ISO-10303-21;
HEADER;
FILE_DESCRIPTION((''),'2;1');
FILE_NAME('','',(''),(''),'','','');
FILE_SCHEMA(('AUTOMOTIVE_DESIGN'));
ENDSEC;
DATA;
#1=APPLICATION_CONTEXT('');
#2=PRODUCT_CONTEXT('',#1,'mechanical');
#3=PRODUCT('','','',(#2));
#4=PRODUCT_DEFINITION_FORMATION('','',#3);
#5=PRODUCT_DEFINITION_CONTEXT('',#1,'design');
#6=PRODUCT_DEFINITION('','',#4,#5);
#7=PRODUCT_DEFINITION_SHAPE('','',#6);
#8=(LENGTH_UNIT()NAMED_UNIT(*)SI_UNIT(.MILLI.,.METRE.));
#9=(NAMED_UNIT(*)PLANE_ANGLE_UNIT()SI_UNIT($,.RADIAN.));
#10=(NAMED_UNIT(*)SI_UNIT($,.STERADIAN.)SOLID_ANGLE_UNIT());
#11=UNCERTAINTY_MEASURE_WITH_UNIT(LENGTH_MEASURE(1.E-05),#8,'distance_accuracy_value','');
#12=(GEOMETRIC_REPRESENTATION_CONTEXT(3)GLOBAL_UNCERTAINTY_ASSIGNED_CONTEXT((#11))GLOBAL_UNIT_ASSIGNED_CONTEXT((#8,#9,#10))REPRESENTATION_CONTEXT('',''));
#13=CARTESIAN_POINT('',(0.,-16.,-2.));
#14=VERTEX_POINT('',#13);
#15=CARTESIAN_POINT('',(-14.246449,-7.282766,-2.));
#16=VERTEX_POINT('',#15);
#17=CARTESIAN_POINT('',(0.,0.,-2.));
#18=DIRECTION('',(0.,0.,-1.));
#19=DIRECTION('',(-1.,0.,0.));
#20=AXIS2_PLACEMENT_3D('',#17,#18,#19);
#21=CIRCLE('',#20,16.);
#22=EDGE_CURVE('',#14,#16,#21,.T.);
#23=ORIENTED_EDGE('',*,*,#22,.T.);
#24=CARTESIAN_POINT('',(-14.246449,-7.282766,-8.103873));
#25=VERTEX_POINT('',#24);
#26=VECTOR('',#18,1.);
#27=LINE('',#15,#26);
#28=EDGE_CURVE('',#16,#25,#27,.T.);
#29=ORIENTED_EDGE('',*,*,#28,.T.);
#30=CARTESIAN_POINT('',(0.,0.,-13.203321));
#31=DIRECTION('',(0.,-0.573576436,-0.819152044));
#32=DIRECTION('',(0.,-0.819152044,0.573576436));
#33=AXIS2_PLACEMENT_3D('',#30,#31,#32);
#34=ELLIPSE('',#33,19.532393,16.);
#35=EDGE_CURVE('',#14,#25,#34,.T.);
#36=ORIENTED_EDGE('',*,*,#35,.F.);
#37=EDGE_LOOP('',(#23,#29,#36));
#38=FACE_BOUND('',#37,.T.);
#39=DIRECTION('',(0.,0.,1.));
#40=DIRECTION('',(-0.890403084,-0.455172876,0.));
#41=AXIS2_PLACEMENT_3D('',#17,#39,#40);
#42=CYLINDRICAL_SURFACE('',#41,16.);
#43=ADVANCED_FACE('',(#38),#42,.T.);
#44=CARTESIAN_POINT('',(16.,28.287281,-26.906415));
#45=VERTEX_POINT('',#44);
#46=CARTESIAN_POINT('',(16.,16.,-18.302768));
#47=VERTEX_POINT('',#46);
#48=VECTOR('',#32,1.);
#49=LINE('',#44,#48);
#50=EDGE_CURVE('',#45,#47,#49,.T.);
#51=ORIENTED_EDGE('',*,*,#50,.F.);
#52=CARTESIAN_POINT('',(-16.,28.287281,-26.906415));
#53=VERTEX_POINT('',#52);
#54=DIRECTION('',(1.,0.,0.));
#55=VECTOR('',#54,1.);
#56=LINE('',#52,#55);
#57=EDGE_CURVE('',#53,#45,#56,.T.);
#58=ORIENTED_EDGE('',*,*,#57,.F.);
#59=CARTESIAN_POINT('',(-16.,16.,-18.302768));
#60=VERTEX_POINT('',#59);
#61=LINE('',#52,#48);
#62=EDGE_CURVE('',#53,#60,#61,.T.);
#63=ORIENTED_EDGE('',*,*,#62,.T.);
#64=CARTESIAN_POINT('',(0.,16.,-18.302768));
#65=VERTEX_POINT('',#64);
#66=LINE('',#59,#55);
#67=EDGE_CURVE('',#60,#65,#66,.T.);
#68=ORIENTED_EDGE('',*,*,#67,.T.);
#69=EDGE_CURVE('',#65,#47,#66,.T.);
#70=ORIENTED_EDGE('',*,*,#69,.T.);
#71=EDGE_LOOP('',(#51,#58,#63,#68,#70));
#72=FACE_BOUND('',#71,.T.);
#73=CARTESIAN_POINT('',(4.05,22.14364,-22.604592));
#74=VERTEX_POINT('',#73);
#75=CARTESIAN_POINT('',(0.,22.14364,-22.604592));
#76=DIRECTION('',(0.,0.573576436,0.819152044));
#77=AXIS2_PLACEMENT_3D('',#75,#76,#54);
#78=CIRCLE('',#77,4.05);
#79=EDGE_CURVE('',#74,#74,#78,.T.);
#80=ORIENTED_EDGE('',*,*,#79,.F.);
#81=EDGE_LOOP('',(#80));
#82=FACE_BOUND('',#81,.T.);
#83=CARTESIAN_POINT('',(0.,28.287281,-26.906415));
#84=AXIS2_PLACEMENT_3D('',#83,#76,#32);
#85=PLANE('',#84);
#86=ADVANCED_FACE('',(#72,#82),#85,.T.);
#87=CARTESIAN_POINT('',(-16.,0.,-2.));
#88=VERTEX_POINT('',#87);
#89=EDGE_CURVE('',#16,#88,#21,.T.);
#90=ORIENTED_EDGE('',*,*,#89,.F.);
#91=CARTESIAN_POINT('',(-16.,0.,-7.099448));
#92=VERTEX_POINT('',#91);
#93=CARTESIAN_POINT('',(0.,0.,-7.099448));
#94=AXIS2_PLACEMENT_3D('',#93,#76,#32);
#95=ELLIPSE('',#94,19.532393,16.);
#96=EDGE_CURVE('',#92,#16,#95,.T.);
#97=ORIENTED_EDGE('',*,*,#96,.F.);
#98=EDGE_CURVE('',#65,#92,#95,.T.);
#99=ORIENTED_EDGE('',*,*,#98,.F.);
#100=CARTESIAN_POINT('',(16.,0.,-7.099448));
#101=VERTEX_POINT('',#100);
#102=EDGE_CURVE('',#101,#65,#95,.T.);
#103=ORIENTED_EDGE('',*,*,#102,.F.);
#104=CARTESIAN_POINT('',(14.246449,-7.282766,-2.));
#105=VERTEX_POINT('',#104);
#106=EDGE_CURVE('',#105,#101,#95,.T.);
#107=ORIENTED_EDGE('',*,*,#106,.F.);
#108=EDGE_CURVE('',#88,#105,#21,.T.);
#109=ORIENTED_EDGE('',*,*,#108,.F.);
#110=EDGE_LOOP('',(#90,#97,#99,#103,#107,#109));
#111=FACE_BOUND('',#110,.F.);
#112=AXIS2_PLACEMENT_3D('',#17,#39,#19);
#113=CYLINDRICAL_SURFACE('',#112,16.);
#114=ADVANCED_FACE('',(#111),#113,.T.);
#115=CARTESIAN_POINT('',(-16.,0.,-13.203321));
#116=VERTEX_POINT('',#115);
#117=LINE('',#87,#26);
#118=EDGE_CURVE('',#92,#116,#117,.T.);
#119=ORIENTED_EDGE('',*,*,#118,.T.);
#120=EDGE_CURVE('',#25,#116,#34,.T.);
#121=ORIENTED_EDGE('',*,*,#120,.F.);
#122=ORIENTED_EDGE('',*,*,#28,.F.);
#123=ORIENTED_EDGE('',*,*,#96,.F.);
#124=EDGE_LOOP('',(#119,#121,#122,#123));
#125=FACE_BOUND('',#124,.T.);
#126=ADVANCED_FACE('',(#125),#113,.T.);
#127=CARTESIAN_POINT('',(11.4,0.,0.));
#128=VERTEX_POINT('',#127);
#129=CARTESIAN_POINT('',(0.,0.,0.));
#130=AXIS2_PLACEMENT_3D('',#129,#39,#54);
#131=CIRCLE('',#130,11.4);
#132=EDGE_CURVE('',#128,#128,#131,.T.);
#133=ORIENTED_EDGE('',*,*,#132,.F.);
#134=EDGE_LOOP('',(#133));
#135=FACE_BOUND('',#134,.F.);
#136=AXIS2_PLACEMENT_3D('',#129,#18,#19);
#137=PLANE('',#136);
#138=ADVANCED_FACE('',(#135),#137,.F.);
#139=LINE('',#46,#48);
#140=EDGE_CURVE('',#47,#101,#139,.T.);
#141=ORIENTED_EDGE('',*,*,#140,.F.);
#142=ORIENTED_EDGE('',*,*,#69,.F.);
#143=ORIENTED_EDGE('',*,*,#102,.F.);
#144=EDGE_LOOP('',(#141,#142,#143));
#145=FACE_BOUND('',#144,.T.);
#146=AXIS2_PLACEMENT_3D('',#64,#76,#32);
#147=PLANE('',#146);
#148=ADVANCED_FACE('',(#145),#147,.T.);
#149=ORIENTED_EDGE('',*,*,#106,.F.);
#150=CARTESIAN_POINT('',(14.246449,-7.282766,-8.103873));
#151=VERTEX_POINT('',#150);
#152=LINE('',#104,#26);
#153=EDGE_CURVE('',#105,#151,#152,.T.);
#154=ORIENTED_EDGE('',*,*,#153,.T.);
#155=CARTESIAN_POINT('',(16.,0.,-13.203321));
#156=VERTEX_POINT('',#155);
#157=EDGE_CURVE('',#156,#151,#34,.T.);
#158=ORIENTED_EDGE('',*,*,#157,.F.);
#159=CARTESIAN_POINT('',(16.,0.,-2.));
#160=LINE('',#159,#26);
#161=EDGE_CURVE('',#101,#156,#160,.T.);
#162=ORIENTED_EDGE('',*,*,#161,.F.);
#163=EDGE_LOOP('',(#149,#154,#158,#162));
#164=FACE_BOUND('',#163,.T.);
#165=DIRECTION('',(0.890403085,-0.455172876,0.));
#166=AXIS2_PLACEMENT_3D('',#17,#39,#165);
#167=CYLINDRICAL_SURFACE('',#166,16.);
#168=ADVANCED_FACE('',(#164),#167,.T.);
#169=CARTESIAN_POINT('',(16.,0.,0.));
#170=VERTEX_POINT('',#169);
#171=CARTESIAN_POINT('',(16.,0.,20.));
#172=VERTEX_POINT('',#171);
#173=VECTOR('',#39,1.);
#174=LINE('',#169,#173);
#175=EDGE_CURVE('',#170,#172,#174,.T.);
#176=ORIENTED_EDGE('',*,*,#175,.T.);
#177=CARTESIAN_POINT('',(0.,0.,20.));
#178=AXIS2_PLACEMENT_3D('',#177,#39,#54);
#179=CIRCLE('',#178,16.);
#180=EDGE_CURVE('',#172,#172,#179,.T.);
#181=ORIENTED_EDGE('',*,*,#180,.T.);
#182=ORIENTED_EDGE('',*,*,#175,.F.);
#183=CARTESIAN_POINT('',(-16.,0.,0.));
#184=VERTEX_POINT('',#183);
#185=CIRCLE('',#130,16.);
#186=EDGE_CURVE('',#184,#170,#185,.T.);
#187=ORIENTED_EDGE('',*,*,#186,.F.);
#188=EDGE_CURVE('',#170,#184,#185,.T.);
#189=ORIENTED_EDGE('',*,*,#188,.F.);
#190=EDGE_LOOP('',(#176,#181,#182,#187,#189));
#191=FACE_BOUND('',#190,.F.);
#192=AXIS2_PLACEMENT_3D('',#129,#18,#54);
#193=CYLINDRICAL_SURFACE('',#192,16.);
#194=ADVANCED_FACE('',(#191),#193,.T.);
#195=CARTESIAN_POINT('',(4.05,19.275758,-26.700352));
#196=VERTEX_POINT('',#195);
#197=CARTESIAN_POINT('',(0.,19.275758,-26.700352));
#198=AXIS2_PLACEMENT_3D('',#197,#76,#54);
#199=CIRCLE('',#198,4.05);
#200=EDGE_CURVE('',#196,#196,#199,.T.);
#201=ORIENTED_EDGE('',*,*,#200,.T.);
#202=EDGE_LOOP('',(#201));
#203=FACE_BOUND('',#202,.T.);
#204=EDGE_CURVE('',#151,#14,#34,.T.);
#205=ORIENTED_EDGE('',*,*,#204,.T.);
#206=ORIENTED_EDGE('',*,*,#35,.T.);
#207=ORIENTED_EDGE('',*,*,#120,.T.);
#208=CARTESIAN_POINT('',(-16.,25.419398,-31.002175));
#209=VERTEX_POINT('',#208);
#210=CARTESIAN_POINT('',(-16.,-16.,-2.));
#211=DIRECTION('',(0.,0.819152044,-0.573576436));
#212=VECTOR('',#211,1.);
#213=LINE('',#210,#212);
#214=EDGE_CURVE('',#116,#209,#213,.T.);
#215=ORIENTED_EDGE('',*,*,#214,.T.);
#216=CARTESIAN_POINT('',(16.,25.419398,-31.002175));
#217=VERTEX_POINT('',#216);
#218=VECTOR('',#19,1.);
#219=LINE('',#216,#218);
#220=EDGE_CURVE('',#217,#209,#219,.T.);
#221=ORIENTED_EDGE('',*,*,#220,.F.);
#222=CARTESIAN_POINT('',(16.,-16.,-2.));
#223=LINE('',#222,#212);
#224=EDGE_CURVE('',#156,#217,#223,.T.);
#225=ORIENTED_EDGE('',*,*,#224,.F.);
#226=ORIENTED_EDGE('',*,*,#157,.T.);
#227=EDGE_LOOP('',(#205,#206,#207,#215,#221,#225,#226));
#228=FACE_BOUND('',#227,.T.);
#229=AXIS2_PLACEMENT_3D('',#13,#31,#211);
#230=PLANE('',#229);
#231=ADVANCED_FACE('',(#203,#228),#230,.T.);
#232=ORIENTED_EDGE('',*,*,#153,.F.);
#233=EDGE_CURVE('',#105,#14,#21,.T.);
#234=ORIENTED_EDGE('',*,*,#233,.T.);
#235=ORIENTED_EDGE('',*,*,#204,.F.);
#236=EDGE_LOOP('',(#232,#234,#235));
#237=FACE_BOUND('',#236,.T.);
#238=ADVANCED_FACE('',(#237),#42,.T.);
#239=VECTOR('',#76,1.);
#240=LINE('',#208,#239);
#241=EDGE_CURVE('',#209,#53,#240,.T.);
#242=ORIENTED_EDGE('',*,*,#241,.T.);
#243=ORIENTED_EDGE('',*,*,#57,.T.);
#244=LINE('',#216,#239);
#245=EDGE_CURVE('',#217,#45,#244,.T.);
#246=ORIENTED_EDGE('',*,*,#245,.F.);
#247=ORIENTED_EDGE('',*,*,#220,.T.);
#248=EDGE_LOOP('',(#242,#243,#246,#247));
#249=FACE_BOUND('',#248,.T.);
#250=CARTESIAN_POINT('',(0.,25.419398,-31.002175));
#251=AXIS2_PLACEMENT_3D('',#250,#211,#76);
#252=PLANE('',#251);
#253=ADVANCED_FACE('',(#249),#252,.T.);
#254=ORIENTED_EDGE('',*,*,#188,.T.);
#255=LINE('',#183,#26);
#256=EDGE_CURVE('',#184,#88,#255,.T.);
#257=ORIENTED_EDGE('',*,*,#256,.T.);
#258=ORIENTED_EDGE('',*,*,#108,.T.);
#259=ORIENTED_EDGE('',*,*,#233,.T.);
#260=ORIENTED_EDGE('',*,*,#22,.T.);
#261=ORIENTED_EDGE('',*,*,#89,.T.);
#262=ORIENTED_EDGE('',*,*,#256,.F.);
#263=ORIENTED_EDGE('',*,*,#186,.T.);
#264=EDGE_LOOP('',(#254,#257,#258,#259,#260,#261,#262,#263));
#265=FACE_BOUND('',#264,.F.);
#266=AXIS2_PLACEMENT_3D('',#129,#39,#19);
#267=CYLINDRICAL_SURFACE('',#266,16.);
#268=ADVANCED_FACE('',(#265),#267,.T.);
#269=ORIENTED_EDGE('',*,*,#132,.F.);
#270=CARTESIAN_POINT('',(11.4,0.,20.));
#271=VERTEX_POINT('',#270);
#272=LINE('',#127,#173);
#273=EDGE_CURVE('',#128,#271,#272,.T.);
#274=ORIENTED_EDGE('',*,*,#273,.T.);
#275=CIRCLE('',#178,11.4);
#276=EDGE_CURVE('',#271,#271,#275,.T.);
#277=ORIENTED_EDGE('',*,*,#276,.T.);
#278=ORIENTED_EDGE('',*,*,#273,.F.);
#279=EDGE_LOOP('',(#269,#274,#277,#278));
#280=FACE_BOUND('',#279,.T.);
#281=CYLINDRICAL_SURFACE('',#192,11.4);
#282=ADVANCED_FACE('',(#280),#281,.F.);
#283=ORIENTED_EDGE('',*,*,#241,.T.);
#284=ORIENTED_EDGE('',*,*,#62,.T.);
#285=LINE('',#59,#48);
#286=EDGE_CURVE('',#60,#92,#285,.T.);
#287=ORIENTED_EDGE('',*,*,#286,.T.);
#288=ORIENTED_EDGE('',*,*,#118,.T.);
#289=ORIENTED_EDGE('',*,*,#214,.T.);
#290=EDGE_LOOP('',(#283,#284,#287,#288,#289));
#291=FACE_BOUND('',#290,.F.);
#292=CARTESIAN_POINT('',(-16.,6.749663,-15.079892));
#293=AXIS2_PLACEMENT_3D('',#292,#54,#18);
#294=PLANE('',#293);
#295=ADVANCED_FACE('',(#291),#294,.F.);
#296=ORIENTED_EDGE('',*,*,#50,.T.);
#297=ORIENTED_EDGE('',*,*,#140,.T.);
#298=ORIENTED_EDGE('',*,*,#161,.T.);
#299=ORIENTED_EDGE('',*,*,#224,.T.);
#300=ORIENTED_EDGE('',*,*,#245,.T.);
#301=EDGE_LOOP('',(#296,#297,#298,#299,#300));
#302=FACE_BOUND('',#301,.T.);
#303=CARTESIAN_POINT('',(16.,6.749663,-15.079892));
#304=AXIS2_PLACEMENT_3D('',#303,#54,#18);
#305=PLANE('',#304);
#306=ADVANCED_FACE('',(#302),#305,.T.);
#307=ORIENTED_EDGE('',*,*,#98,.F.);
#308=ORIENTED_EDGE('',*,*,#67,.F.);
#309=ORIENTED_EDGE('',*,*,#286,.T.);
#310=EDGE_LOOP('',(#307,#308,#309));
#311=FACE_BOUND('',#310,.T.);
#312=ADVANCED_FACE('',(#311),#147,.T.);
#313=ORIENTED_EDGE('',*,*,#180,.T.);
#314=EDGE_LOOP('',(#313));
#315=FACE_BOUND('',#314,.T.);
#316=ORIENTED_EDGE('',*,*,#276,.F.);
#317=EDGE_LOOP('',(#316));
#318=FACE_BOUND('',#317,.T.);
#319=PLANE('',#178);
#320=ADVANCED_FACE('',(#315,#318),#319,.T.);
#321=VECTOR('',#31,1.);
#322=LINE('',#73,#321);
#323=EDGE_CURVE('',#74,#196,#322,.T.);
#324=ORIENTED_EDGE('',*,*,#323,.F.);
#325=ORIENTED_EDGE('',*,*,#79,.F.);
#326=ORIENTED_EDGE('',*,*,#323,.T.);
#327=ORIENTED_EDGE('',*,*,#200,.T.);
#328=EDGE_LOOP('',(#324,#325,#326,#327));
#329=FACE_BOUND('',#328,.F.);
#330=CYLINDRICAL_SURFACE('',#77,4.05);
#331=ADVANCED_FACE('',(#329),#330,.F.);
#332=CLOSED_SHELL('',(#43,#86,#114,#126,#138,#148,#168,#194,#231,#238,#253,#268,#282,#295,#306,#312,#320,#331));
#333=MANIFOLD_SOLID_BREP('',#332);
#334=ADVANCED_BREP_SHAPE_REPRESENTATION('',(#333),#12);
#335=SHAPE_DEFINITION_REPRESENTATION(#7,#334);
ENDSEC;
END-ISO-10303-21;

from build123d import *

# Parameters (mm, degrees)
SKETCH1_R                = 16
SKETCH1_R_2              = 11.4
BOSS_EXTRUDE1_DEPTH      = 20
SKETCH2_R                = 16
BOSS_EXTRUDE2_DEPTH      = 2
BOSS_EXTRUDE3_DEPTH      = 16
BOSS_EXTRUDE3_DEPTH_BACK = 16
CUT_EXTRUDE1_DEPTH       = 30.002175046
BOSS_EXTRUDE4_REACH      = 31.002
SKETCH5_R                = 16
SKETCH6_R                = 4.05
CUT_EXTRUDE3_DEPTH       = 29.757190977


with BuildPart() as part:
    # Sketch1 → Boss-Extrude1 (new body)
    with BuildSketch(Plane.XY):
        Circle(SKETCH1_R)
        Circle(SKETCH1_R_2, mode=Mode.SUBTRACT)
    extrude(amount=BOSS_EXTRUDE1_DEPTH)

    # Sketch2 → Boss-Extrude2 (add)
    with BuildSketch(Plane(origin=(0, 0, 0), x_dir=(-1, 0, 0), z_dir=(0, 0, -1))):
        Circle(SKETCH2_R)
    extrude(amount=BOSS_EXTRUDE2_DEPTH)

    # Sketch3 → Boss-Extrude3 (add, two sides)
    with BuildSketch(Plane(origin=(0, 0, 0), x_dir=(0, 0, -1), z_dir=(1, 0, 0))) as boss_extrude3_sk:
        Polygon((31.002175046, 25.419398483), (26.906414824, 28.287280664), (18.302768279, 16), (2, -7.282766022), (2, -16), align=None)
    extrude(amount=BOSS_EXTRUDE3_DEPTH)
    extrude(boss_extrude3_sk.sketch, amount=-BOSS_EXTRUDE3_DEPTH_BACK)

    # Sketch4 → Cut-Extrude1 (cut, through all)
    with BuildSketch(Plane(origin=(0, 0, -2), x_dir=(-1, 0, 0), z_dir=(0, 0, -1))):
        with BuildLine():
            Line((34.266518051, 0), (16, 0))
            ThreePointArc((16, 0), (15.555436181, -3.745451268), (14.24644935, -7.282766022))
            ThreePointArc((14.24644935, -7.282766022), (0, -16), (-14.24644935, -7.282766022))
            ThreePointArc((-14.24644935, -7.282766022), (-15.555436181, -3.745451268), (-16, 0))
            Line((-16, 0), (-34.430612934, 0))
            Line((-34.430612934, 0), (-36.46308972, -20.488677285))
            Line((-36.46308972, -20.488677285), (32.179774964, -27.298049462))
            Line((32.179774964, -27.298049462), (34.266518051, 0))
        make_face()
    extrude(amount=CUT_EXTRUDE1_DEPTH, mode=Mode.SUBTRACT)

    # Sketch5 → Boss-Extrude4 (add, up to next)
    with BuildSketch(Plane(origin=(0, 0, -2), x_dir=(-1, 0, 0), z_dir=(0, 0, -1)), mode=Mode.PRIVATE) as boss_extrude4_sk1:
        Circle(SKETCH5_R)
    boss_extrude4_tool1 = extrude(boss_extrude4_sk1.sketch, amount=BOSS_EXTRUDE4_REACH, mode=Mode.PRIVATE) - part.part
    add(boss_extrude4_tool1.solids().sort_by_distance((0, 0, -2))[0])

    # Sketch6 → Cut-Extrude3 (cut, through all)
    with BuildSketch(Plane(origin=(0, -3.335649292, -4.763800888), x_dir=(1, 0, 0), z_dir=(0, 0.573576436, 0.819152044))):
        with Locations((0, 31.104469313)):
            Circle(SKETCH6_R)
    extrude(amount=-CUT_EXTRUDE3_DEPTH, mode=Mode.SUBTRACT)


solid = part.part
